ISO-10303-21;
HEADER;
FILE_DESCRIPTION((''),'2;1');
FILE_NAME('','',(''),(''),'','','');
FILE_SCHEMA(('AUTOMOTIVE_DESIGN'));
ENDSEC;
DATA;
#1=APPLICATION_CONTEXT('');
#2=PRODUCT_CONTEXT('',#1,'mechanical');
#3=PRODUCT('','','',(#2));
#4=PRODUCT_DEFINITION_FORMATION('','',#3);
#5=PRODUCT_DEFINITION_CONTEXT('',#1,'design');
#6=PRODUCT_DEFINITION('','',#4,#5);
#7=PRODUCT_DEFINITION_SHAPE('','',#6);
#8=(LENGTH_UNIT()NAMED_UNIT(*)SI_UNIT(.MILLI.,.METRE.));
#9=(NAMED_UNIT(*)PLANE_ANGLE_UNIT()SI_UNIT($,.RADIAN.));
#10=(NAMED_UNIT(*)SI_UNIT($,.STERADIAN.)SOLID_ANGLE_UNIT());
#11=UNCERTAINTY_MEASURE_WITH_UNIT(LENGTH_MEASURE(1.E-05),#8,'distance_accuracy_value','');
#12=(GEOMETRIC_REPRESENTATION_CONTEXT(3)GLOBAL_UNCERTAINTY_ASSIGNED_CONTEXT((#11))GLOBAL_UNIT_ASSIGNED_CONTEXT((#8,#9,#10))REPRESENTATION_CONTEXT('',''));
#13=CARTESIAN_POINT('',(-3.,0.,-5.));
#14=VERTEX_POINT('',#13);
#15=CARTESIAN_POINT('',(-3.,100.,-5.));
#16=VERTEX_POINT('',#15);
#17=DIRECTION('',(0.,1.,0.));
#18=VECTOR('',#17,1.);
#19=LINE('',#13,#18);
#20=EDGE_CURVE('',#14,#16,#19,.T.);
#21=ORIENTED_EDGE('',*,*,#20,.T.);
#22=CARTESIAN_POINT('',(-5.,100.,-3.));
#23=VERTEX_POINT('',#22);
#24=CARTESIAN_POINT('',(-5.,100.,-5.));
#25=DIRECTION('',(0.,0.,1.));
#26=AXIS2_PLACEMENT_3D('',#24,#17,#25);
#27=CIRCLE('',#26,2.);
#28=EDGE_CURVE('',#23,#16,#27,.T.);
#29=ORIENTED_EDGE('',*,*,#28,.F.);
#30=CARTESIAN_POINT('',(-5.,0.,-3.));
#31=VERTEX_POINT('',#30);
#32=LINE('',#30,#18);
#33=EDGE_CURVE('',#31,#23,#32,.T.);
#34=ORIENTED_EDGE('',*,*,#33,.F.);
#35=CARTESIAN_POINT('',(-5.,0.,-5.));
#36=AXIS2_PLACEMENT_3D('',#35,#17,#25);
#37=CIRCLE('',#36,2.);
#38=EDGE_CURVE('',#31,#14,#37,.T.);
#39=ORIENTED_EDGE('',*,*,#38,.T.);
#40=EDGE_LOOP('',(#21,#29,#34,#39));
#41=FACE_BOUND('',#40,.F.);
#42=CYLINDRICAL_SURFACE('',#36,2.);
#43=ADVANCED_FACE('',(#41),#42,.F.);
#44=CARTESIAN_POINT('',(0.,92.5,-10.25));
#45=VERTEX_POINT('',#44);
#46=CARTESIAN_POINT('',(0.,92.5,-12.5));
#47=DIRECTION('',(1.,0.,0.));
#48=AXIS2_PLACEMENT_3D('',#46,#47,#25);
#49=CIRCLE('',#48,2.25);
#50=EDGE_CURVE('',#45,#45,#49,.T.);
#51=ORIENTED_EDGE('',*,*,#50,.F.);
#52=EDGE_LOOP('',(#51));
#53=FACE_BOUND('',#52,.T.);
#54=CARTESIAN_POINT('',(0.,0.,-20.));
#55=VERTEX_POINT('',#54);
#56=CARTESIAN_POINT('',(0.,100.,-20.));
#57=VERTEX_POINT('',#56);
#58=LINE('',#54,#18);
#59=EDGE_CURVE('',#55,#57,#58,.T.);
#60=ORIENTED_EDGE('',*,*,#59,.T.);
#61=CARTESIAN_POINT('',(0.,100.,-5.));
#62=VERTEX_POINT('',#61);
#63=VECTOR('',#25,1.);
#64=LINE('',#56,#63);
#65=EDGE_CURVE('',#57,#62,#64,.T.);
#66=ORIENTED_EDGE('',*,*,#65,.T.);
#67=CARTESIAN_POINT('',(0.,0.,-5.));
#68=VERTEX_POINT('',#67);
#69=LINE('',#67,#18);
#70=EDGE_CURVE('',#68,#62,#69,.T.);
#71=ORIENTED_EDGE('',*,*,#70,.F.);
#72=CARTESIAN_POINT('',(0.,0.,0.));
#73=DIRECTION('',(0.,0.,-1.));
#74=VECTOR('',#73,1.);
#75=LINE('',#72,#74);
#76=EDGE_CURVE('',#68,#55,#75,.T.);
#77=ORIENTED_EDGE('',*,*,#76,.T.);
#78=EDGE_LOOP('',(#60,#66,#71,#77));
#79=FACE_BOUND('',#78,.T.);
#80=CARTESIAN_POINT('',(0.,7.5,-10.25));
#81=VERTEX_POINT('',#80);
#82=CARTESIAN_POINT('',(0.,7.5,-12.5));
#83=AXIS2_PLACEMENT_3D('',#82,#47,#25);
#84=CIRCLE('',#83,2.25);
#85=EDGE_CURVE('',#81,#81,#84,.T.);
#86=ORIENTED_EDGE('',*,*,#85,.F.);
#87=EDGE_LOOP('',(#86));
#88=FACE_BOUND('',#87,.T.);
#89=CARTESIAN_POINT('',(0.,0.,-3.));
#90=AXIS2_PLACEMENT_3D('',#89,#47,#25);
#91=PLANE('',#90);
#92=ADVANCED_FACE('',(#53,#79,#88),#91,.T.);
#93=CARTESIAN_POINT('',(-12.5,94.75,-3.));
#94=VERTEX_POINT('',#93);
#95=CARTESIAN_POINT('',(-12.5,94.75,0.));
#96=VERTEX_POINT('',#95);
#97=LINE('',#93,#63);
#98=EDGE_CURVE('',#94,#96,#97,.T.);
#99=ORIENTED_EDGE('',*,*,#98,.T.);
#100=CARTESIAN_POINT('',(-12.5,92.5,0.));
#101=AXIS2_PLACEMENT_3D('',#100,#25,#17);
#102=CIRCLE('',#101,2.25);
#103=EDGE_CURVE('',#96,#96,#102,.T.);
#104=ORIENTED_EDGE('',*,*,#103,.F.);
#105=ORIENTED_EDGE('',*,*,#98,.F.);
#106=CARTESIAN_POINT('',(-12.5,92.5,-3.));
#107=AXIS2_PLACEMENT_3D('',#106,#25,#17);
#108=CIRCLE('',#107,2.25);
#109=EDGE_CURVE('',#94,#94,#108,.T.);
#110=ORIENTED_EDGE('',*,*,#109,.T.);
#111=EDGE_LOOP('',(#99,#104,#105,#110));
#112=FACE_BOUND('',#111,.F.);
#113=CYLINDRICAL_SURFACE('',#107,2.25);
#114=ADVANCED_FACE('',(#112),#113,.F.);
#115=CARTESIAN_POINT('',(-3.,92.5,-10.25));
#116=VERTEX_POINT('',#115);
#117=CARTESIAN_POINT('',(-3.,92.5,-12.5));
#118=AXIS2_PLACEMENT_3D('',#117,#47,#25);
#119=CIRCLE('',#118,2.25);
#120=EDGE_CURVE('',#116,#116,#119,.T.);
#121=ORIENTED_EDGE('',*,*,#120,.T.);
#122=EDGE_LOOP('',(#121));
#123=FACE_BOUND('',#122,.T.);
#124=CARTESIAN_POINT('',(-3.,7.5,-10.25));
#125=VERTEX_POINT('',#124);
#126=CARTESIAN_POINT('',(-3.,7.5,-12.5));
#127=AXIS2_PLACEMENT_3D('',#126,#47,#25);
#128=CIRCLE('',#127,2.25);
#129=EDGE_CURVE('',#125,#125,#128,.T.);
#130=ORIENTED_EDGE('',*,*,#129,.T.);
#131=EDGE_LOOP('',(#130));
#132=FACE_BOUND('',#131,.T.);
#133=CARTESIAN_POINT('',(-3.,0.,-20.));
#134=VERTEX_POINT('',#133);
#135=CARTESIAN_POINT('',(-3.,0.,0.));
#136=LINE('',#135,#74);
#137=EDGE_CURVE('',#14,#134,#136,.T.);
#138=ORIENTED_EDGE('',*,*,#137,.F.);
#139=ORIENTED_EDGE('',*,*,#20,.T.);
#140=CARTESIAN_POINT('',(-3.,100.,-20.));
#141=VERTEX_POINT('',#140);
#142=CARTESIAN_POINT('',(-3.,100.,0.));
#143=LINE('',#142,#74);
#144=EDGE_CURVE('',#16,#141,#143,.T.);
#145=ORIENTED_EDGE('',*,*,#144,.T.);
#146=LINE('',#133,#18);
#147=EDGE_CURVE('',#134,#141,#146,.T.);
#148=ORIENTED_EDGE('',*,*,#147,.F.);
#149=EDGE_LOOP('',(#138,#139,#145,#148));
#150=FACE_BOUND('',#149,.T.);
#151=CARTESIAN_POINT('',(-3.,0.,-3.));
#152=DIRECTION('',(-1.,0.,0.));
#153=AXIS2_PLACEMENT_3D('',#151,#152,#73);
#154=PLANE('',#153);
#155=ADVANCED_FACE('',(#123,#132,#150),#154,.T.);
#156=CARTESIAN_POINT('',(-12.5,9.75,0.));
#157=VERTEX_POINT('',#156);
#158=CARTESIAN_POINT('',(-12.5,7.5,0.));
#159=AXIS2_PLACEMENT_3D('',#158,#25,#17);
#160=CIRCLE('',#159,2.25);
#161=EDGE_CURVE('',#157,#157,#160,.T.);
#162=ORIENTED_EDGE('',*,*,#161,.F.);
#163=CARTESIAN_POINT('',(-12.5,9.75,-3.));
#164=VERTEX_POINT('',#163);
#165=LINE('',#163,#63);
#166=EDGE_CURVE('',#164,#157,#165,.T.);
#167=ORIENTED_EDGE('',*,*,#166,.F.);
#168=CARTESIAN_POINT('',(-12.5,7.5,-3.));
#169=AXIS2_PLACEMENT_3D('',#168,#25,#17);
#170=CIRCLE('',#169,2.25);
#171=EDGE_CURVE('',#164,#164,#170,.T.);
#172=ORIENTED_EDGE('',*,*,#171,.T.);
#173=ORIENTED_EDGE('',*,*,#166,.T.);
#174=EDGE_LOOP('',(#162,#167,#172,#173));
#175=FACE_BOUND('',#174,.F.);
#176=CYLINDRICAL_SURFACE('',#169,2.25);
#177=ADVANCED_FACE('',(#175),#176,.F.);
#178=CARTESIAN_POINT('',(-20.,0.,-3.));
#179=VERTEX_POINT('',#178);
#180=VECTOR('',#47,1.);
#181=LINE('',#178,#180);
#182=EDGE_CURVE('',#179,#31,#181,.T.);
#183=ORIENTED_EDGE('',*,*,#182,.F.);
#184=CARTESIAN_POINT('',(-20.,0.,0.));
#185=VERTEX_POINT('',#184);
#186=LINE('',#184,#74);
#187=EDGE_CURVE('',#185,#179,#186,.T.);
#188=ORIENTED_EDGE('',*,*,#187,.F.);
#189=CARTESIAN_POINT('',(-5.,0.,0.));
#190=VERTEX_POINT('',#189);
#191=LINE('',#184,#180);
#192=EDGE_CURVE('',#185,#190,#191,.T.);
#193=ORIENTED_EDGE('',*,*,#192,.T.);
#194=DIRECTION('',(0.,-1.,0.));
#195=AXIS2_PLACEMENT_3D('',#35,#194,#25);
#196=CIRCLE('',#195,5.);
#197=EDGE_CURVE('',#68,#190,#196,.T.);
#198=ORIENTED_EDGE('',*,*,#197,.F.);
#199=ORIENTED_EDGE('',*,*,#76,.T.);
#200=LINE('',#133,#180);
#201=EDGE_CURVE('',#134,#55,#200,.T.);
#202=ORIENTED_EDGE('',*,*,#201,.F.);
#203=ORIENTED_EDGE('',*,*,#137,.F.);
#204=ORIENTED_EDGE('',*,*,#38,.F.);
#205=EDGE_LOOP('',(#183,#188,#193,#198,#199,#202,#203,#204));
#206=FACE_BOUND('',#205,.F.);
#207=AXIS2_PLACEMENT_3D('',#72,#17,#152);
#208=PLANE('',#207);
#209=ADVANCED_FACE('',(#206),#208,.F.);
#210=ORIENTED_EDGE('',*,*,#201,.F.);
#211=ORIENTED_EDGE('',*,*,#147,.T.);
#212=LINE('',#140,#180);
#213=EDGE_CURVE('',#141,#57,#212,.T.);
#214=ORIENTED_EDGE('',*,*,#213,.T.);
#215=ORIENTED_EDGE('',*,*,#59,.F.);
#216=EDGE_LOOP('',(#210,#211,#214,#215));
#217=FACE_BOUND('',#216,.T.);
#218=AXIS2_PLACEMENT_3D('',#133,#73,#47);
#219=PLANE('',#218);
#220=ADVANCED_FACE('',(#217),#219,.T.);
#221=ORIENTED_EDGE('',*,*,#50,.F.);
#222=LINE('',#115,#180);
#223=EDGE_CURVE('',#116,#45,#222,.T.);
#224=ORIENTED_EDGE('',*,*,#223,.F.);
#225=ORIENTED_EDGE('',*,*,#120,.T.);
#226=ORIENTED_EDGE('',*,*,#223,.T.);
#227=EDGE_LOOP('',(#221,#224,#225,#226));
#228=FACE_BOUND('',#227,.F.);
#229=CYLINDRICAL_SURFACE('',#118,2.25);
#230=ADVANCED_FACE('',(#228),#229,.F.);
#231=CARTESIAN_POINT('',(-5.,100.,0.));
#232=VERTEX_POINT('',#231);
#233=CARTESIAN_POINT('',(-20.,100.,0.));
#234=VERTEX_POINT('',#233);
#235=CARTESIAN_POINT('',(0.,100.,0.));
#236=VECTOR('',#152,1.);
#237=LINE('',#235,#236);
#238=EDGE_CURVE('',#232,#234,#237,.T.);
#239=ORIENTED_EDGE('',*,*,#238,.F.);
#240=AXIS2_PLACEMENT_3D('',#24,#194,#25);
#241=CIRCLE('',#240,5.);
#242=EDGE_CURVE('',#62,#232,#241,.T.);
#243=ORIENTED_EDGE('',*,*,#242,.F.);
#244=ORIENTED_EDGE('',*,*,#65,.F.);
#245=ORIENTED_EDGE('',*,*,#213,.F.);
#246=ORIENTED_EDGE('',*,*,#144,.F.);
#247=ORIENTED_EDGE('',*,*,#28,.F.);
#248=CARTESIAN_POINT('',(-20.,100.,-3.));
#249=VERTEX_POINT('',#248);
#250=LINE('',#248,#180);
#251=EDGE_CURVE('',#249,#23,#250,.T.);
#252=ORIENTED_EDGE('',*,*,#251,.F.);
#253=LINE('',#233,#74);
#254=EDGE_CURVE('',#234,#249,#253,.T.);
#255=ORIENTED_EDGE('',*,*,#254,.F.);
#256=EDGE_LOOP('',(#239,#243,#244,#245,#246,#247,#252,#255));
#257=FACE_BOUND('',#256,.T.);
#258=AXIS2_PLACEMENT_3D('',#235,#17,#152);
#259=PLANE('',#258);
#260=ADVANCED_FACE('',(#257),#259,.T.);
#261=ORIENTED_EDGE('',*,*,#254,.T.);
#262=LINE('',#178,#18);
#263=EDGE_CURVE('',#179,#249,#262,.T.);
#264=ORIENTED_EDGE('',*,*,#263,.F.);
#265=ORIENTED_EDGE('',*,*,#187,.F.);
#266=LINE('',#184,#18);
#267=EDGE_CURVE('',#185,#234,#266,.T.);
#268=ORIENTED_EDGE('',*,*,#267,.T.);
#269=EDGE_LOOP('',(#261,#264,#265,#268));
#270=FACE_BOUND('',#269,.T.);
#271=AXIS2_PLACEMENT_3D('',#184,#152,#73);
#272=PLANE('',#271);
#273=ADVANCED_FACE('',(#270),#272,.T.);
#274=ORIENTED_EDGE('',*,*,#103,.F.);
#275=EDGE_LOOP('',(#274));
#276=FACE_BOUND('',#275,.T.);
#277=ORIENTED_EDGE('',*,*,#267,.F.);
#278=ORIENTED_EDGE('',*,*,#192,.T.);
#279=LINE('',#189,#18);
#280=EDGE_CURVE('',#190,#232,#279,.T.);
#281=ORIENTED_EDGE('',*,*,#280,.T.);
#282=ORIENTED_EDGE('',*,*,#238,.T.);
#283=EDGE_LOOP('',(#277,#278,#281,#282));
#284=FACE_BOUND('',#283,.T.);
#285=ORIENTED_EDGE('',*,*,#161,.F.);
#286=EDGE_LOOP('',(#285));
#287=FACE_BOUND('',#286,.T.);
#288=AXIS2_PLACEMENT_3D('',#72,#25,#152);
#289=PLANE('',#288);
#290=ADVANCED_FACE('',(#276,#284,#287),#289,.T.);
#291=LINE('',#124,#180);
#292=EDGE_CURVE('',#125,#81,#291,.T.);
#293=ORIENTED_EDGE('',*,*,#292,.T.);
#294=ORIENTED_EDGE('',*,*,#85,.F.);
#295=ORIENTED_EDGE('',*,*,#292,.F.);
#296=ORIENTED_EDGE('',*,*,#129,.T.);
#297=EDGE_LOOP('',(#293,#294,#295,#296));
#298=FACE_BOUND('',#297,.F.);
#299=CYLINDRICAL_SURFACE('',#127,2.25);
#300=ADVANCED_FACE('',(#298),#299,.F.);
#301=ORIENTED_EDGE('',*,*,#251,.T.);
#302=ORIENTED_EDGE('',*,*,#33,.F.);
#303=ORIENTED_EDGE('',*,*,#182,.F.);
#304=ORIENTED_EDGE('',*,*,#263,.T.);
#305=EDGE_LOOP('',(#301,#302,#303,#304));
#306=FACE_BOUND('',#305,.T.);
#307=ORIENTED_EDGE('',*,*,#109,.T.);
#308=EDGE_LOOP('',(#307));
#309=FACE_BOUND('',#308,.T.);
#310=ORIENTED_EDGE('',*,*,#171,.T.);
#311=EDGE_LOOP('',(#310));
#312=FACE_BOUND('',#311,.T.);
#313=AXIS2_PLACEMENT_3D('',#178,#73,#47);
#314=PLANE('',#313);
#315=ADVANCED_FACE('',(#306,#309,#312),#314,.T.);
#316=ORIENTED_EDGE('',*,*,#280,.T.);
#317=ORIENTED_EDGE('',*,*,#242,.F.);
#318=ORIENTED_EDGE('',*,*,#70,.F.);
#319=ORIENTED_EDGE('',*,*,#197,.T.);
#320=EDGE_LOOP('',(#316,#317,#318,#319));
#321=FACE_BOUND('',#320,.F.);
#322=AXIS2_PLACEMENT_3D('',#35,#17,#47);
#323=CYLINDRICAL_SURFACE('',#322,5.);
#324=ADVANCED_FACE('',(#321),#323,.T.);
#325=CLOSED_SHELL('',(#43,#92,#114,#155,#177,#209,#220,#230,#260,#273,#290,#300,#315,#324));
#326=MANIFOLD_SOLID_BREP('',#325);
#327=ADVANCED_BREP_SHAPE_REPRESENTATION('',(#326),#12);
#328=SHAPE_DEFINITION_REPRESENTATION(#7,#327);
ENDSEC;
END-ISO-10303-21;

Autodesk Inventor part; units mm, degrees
ref_plane "YZ Plane" through (0, 0, 0) normal (1, 0, 0) x (0, 1, 0)
ref_plane "XZ Plane" through (0, 0, 0) normal (0, 1, 0) x (-1, 0, 0)
ref_plane "XY Plane" through (0, 0, 0) normal (0, 0, 1) x (1, 0, 0)
sketch "Sketch1" plane through (0, 0, 0) normal (0, 1, 0) x (-1, 0, 0)
  line L0 (0, 0) -> (20, 0)
  line L1 (20, 0) -> (20, -3)
  line L2 (20, -3) -> (0, -3)
  line L3 (0, -3) -> (0, 0)
  line L4 (0, 0) -> (3, 0)
  line L5 (3, 0) -> (3, -20)
  line L6 (3, -20) -> (0, -20)
  line L7 (0, -20) -> (0, 0)
  dimension "d0" = 3
  dimension "d1" = 3
  dimension "d2" = 20
  dimension "d3" = 20
extrude "Extrusion1" add sketch "Sketch1" along normal blind 100
fillet "Fillet1" radius 2 1 edges at (-3, 50, -3)
fillet "Fillet2" radius 5 1 edges at (0, 50, 0)
sketch "Sketch2" plane through (-3, 0, -20) normal (-1, 0, 0) x (0, 0, 1)
  line L0 (0, 100) -> (15, 100) projected
  line L1 (0, 0) -> (15, 0) projected
  line L2 (0, 0) -> (0, 100) projected
  point P0 (20, 0)
  point P1 (7.5, 92.5)
  point P2 (7.5, 7.5)
  dimension "d8" = 7.5
  dimension "d9" = 7.5
  dimension "d10" = 85
  dimension "d11" = 7.5
hole "Hole1" at (-3, 92.5, -12.5) at (-3, 7.5, -12.5) direction (1, 0, 0) diameter 4.5 end through all clearance for "Socket Head Cap Screw" size "M4" standard "Ansi Metric M Profile"
sketch "Sketch3" plane through (-20, 0, -3) normal (0, 0, -1) x (-1, 0, 0)
  line L0 (-15, 100) -> (0, 100) projected
  line L1 (-15, 0) -> (0, 0) projected
  line L2 (0, 0) -> (0, 100) projected
  point P0 (-20, 0)
  point P1 (-7.5, 92.5)
  point P2 (-7.5, 7.5)
  dimension "d19" = 7.5
  dimension "d20" = 7.5
  dimension "d21" = 7.5
hole "Hole2" at (-12.5, 92.5, -3) at (-12.5, 7.5, -3) direction (0, 0, 1) diameter 4.5 end through all clearance for "Socket Head Cap Screw" size "M4" standard "Ansi Metric M Profile"
equation "\"d1\" = d0"
equation "\"d3\" = d2"
equation "\"d9\" = d8"
equation "\"d20\" = d19"
equation "\"d21\" = d19"
properties part number "Pancake_Angle Bracket 2" material "Aluminum 6061"
